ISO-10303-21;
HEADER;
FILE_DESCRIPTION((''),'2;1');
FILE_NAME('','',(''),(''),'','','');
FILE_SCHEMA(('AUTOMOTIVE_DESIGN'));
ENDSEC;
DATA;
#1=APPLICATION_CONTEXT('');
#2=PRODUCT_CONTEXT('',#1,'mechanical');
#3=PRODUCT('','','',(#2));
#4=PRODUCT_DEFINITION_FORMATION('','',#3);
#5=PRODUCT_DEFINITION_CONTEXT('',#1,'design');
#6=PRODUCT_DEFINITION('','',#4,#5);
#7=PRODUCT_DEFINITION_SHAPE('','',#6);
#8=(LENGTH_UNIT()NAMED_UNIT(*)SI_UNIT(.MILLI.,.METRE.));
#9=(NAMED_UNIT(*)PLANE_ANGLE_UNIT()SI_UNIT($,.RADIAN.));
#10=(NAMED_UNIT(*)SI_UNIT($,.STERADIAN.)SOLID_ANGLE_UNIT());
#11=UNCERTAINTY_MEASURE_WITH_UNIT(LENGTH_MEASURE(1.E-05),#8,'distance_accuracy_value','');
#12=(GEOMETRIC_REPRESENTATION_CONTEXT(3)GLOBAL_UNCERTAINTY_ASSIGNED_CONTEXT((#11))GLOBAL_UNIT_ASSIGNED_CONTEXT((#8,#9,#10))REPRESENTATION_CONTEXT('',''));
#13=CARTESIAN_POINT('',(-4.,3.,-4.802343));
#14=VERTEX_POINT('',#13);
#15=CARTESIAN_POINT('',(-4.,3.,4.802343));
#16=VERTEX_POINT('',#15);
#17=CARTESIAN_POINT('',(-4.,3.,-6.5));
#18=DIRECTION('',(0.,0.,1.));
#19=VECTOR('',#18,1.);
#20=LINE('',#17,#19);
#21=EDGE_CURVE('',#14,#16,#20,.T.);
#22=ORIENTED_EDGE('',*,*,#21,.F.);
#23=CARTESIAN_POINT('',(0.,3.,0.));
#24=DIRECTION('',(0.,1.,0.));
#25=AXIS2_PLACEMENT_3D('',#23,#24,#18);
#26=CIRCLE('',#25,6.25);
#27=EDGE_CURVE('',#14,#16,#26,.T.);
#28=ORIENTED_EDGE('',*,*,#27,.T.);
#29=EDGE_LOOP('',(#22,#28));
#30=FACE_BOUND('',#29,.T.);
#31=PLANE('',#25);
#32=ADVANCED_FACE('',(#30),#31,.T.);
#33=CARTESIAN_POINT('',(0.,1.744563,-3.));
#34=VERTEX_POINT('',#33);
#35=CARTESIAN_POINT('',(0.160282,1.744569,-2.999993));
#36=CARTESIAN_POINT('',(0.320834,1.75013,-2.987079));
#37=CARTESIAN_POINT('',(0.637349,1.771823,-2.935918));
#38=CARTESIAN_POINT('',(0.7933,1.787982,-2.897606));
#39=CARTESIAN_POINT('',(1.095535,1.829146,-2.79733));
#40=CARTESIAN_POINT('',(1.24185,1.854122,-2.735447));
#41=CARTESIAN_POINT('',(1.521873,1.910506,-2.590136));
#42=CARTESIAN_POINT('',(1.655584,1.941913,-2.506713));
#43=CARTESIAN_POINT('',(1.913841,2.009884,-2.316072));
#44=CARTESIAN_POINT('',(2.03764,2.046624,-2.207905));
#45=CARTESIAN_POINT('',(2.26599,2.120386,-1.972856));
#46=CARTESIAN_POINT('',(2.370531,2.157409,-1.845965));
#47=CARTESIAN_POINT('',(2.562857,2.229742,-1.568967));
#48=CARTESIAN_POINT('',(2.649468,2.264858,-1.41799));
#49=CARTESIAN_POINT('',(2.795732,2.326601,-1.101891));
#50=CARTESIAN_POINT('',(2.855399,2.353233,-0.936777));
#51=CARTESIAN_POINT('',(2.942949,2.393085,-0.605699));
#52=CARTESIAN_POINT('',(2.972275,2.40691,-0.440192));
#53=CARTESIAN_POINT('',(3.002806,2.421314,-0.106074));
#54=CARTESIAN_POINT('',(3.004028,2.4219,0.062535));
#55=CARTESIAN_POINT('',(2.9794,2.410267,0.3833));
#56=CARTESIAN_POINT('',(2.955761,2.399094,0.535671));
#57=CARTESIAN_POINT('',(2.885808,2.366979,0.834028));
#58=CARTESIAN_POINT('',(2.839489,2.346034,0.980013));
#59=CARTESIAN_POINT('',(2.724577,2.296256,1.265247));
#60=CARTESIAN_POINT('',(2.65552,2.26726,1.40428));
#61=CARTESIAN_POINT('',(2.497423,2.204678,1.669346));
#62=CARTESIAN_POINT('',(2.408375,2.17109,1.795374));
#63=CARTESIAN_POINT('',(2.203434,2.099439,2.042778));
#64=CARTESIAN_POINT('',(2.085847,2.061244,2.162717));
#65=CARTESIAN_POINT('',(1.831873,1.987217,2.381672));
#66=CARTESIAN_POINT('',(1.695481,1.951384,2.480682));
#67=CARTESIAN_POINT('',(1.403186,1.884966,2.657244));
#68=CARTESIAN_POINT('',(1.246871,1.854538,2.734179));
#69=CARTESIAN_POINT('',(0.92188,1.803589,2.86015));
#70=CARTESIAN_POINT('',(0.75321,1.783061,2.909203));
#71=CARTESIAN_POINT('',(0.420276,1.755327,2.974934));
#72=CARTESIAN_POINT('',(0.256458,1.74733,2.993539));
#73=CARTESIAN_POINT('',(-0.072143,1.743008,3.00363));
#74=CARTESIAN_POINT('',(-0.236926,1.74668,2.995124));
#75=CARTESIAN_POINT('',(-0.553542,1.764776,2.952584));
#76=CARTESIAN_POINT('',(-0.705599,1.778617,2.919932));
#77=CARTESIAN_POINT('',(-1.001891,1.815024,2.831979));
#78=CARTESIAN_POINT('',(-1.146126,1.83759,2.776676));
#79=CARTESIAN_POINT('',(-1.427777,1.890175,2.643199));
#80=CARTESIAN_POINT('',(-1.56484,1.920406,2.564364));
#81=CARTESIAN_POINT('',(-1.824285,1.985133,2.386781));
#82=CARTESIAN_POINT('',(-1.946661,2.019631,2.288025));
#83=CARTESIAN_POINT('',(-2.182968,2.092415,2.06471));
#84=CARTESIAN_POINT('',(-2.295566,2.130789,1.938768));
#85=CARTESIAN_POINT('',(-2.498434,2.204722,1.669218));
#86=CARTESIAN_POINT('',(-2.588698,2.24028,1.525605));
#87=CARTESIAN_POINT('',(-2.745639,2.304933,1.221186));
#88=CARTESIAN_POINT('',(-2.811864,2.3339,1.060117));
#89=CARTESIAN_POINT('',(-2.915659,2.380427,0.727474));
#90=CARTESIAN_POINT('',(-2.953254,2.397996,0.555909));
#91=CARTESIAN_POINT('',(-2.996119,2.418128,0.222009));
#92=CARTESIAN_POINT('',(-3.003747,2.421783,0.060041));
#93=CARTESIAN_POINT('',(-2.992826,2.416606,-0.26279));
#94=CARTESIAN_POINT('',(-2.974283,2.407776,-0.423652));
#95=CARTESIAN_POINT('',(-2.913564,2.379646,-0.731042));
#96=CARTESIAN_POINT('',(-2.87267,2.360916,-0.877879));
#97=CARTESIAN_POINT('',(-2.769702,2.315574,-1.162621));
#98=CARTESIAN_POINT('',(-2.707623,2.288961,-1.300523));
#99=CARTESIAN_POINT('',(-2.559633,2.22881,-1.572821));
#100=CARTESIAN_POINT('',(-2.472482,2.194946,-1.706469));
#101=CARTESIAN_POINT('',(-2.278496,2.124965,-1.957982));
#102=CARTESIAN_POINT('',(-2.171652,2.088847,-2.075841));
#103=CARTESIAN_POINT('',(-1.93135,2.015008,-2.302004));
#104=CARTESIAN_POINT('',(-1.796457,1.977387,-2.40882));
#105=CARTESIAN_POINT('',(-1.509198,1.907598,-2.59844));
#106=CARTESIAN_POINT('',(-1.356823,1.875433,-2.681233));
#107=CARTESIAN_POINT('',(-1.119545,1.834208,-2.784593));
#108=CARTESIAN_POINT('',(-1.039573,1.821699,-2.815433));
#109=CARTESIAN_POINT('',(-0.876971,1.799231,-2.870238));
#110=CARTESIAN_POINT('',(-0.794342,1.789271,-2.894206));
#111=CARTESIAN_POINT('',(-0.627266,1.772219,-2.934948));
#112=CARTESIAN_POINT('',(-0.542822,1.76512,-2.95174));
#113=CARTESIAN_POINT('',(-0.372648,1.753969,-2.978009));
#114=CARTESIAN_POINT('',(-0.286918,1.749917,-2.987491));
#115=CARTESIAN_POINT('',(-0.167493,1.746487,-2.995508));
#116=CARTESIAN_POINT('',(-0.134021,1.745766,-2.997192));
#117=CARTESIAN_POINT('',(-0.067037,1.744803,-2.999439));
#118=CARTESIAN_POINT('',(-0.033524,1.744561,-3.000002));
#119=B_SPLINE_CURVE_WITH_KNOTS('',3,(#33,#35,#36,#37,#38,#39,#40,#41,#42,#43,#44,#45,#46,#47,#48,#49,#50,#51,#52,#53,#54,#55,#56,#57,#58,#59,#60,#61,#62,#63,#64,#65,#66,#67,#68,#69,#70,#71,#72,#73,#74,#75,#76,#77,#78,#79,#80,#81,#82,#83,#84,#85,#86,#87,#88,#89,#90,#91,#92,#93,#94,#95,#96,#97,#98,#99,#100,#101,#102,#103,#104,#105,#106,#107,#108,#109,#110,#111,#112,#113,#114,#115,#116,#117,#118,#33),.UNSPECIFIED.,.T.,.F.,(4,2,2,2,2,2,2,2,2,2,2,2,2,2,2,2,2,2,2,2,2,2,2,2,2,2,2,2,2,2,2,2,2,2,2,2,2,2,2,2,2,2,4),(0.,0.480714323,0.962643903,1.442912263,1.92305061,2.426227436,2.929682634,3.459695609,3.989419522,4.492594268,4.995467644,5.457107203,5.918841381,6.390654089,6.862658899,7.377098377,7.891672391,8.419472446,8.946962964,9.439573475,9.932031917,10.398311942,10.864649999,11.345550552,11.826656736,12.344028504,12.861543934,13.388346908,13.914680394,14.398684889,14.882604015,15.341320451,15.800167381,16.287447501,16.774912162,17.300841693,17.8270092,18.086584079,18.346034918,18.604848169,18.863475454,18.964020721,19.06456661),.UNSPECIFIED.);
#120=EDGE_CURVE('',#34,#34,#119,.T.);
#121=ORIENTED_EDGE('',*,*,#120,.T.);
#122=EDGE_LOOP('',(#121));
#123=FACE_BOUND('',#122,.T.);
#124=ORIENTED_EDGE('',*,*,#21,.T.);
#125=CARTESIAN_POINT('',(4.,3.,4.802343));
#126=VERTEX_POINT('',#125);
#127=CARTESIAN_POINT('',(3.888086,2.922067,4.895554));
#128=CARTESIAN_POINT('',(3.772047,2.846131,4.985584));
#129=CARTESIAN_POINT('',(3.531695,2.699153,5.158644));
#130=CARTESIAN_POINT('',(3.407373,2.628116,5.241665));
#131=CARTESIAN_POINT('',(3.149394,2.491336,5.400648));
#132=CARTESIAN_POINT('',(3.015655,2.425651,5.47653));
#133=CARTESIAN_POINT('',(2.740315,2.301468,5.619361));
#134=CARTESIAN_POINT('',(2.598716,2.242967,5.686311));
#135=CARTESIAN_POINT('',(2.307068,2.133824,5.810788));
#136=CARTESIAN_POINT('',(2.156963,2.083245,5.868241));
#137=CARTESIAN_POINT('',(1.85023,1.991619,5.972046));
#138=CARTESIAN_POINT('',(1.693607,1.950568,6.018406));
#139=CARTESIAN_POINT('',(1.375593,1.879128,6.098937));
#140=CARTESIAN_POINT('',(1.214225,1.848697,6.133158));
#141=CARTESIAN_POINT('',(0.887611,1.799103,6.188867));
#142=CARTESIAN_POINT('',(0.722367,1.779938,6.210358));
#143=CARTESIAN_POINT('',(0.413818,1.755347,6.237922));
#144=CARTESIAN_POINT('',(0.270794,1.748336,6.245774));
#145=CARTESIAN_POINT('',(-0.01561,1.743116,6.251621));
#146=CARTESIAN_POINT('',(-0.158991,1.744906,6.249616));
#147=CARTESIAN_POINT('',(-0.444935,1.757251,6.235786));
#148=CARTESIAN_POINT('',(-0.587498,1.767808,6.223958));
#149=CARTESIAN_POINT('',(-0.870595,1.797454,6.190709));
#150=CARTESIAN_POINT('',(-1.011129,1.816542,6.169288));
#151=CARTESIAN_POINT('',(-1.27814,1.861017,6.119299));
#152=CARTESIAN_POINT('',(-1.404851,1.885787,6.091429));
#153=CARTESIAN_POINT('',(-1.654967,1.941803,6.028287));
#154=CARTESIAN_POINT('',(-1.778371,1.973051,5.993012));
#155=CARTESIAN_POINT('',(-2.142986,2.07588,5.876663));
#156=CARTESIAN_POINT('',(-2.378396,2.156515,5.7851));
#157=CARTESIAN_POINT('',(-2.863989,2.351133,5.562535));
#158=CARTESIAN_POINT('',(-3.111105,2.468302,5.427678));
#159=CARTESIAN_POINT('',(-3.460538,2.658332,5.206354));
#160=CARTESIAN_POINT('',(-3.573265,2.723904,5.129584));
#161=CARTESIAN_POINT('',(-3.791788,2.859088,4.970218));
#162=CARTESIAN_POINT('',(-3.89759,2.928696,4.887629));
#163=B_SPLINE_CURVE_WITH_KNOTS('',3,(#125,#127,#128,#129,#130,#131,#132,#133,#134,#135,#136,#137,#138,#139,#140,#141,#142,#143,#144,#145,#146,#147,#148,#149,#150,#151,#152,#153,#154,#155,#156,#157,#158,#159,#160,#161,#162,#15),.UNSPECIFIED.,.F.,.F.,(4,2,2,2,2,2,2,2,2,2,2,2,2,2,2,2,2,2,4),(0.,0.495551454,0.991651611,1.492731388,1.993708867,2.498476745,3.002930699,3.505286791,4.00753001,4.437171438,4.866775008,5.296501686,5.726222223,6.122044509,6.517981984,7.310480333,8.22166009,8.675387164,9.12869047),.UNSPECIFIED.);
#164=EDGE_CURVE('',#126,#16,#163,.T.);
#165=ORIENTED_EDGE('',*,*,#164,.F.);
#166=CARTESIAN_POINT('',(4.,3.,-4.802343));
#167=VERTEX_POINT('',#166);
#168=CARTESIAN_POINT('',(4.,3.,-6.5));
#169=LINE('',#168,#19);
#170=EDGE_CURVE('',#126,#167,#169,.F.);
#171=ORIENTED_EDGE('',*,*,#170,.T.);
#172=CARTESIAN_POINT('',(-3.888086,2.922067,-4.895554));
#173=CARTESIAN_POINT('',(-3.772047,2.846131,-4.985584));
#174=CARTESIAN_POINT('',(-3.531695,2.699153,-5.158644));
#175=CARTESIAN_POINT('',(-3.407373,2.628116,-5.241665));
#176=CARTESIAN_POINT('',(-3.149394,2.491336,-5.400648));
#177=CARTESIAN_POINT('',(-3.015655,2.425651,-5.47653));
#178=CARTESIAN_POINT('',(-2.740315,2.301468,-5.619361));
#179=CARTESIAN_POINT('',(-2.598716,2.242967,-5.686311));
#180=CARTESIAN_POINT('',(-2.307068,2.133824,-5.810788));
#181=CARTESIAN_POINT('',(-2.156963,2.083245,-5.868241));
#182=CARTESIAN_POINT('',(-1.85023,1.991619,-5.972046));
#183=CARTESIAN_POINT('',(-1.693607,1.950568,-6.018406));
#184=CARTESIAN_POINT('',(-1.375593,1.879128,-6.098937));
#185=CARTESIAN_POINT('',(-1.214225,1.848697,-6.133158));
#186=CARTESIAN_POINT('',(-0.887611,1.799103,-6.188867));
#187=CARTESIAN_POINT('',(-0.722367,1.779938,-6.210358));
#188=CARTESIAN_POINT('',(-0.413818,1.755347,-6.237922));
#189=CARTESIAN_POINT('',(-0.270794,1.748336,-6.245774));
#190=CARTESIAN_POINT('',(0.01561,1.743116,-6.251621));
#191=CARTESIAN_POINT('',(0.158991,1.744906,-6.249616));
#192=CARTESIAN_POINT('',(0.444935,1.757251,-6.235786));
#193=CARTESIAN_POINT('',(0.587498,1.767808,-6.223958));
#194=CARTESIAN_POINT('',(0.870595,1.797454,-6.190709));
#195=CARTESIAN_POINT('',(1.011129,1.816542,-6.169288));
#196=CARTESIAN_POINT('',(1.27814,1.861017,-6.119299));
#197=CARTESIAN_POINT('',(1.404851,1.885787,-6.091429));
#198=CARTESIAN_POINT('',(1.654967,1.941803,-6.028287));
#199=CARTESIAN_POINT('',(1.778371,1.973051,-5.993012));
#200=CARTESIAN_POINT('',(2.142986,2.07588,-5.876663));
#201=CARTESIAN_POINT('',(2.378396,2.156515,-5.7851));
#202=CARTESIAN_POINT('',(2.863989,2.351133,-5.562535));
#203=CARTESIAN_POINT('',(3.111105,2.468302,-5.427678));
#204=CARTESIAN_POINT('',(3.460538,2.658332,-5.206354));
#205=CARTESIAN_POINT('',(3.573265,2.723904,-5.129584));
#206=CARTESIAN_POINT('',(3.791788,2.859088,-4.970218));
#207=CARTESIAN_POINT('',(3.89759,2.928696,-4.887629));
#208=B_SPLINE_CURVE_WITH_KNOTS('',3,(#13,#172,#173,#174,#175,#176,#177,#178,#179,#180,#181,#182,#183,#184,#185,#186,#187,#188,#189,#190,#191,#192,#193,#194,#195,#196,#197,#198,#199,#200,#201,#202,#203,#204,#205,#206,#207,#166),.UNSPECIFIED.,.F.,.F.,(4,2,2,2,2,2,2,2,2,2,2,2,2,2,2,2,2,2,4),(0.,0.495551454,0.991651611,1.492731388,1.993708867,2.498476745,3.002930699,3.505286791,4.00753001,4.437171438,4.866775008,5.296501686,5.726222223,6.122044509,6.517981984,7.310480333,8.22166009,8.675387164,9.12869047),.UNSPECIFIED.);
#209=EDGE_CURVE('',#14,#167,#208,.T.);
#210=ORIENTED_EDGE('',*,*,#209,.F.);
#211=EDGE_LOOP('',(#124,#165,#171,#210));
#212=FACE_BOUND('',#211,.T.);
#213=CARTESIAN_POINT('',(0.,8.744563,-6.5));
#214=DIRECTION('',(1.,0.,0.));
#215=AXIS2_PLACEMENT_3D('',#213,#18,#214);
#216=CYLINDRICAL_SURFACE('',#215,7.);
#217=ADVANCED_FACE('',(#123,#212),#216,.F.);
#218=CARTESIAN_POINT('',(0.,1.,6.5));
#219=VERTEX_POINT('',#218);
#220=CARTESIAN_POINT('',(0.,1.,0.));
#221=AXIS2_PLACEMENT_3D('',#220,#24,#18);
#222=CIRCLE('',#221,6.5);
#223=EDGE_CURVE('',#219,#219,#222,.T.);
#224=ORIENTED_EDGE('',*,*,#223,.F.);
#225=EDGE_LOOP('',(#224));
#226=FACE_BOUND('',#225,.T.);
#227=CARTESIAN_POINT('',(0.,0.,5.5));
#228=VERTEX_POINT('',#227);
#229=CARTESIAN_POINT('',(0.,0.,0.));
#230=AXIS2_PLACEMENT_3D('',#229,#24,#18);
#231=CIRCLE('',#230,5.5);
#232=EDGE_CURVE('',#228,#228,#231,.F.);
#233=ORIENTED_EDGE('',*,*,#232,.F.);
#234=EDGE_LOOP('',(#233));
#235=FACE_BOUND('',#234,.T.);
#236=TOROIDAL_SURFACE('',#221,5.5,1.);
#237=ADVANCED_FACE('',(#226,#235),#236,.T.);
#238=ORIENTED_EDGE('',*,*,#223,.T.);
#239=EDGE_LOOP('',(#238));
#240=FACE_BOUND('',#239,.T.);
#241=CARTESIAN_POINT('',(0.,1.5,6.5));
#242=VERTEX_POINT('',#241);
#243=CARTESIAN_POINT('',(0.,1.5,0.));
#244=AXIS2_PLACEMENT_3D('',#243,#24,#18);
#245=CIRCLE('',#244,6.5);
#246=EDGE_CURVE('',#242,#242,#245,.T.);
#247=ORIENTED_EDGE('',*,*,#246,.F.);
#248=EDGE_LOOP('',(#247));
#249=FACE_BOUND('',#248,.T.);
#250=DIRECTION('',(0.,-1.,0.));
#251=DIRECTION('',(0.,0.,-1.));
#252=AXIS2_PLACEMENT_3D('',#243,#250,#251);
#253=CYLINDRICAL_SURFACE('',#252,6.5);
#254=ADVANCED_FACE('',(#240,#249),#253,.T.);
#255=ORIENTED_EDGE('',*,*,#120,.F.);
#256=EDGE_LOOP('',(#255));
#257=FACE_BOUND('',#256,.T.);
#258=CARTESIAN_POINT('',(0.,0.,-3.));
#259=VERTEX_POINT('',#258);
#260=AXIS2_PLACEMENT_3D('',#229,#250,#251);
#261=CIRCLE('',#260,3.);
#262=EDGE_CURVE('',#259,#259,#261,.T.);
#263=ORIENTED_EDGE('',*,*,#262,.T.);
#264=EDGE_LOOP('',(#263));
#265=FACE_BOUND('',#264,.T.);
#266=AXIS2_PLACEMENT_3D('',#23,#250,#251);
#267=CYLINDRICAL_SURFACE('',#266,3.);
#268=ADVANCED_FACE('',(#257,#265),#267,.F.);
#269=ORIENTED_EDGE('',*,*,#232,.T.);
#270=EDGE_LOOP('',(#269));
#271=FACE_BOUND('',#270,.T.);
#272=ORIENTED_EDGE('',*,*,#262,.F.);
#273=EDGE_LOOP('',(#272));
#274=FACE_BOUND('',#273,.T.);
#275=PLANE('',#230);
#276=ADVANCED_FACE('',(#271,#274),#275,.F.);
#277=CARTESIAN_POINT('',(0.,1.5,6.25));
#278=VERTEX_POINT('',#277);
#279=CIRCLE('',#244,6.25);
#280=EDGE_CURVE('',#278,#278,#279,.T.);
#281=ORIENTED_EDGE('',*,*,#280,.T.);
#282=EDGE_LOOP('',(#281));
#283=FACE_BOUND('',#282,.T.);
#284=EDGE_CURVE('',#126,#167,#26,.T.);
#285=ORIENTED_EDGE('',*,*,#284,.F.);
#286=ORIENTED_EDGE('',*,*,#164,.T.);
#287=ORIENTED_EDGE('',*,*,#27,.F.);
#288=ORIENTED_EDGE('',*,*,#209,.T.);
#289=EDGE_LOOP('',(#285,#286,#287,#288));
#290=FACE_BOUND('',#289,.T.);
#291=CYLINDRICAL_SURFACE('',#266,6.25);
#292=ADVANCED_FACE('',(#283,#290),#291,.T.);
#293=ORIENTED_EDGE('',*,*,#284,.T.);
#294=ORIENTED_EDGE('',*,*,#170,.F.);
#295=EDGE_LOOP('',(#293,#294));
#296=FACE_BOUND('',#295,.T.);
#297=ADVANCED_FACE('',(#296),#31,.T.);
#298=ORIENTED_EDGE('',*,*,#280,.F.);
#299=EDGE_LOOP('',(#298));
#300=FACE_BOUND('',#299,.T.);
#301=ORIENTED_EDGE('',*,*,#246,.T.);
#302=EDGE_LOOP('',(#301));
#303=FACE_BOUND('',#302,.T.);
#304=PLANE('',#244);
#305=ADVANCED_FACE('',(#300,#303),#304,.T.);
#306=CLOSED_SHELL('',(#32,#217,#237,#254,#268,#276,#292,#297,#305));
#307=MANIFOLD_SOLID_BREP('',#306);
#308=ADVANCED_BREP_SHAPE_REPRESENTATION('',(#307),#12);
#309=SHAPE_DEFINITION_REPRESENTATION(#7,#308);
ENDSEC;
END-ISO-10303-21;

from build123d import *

# Parameters (mm, degrees)
SKETCH_1_R               = 6.5
EXTRUDE_1_DEPTH          = 1.5
FILLET_1_R               = 1
SKETCH_2_R               = 6.25
EXTRUDE_2_DEPTH          = 1.5
CUT_EXTRUDE_1_DEPTH      = 10.66953987
CUT_EXTRUDE_1_DEPTH_BACK = 10.66953987
SKETCH_4_R               = 3
CUT_EXTRUDE_2_DEPTH      = 10.669539901


with BuildPart() as part:
    # 草图1 → 凸台-拉伸1 (new body)
    with BuildSketch(Plane(origin=(0, 0, 0), x_dir=(1, 0, 0), z_dir=(0, 1, 0))):
        with Locations(Location((0, 0, 0), (0, 0, 270))):
            Circle(SKETCH_1_R)
    extrude(amount=EXTRUDE_1_DEPTH)

    # 圆角1
    fillet_1_edges = [part.edges().sort_by_distance(p)[0] for p in [
        (0, 0, -6.5),
    ]]
    fillet(fillet_1_edges, radius=FILLET_1_R)

    # 草图2 → 凸台-拉伸2 (add)
    with BuildSketch(Plane(origin=(0, 1.5, 0), x_dir=(1, 0, 0), z_dir=(0, 1, 0))):
        with Locations(Location((0, 0, 0), (0, 0, 270))):
            Circle(SKETCH_2_R)
    extrude(amount=EXTRUDE_2_DEPTH)

    # 草图3 → 切除-拉伸1 (cut, two sides: drawn at the far end of the back side and taken through both)
    with BuildSketch(Plane.XY.offset(-CUT_EXTRUDE_1_DEPTH_BACK)):
        with BuildLine():
            ThreePointArc((-4, 3), (-2.096194346, 2.065792605), (0, 1.744562647))
            Line((0, 1.744562647), (0, 3))
            Line((0, 3), (-4, 3))
        make_face()
        with BuildLine():
            Line((0, 3), (0, 1.744562647))
            ThreePointArc((0, 1.744562647), (2.096194346, 2.065792605), (4, 3))
            Line((4, 3), (0, 3))
        make_face()
    extrude(amount=CUT_EXTRUDE_1_DEPTH + CUT_EXTRUDE_1_DEPTH_BACK, mode=Mode.SUBTRACT)

    # 草图4 → 切除-拉伸2 (cut, through all)
    with BuildSketch(Plane.XZ):
        with Locations(Location((0, 0, 0), (0, 0, 270))):
            Circle(SKETCH_4_R)
    extrude(amount=-CUT_EXTRUDE_2_DEPTH, mode=Mode.SUBTRACT)


solid = part.part
